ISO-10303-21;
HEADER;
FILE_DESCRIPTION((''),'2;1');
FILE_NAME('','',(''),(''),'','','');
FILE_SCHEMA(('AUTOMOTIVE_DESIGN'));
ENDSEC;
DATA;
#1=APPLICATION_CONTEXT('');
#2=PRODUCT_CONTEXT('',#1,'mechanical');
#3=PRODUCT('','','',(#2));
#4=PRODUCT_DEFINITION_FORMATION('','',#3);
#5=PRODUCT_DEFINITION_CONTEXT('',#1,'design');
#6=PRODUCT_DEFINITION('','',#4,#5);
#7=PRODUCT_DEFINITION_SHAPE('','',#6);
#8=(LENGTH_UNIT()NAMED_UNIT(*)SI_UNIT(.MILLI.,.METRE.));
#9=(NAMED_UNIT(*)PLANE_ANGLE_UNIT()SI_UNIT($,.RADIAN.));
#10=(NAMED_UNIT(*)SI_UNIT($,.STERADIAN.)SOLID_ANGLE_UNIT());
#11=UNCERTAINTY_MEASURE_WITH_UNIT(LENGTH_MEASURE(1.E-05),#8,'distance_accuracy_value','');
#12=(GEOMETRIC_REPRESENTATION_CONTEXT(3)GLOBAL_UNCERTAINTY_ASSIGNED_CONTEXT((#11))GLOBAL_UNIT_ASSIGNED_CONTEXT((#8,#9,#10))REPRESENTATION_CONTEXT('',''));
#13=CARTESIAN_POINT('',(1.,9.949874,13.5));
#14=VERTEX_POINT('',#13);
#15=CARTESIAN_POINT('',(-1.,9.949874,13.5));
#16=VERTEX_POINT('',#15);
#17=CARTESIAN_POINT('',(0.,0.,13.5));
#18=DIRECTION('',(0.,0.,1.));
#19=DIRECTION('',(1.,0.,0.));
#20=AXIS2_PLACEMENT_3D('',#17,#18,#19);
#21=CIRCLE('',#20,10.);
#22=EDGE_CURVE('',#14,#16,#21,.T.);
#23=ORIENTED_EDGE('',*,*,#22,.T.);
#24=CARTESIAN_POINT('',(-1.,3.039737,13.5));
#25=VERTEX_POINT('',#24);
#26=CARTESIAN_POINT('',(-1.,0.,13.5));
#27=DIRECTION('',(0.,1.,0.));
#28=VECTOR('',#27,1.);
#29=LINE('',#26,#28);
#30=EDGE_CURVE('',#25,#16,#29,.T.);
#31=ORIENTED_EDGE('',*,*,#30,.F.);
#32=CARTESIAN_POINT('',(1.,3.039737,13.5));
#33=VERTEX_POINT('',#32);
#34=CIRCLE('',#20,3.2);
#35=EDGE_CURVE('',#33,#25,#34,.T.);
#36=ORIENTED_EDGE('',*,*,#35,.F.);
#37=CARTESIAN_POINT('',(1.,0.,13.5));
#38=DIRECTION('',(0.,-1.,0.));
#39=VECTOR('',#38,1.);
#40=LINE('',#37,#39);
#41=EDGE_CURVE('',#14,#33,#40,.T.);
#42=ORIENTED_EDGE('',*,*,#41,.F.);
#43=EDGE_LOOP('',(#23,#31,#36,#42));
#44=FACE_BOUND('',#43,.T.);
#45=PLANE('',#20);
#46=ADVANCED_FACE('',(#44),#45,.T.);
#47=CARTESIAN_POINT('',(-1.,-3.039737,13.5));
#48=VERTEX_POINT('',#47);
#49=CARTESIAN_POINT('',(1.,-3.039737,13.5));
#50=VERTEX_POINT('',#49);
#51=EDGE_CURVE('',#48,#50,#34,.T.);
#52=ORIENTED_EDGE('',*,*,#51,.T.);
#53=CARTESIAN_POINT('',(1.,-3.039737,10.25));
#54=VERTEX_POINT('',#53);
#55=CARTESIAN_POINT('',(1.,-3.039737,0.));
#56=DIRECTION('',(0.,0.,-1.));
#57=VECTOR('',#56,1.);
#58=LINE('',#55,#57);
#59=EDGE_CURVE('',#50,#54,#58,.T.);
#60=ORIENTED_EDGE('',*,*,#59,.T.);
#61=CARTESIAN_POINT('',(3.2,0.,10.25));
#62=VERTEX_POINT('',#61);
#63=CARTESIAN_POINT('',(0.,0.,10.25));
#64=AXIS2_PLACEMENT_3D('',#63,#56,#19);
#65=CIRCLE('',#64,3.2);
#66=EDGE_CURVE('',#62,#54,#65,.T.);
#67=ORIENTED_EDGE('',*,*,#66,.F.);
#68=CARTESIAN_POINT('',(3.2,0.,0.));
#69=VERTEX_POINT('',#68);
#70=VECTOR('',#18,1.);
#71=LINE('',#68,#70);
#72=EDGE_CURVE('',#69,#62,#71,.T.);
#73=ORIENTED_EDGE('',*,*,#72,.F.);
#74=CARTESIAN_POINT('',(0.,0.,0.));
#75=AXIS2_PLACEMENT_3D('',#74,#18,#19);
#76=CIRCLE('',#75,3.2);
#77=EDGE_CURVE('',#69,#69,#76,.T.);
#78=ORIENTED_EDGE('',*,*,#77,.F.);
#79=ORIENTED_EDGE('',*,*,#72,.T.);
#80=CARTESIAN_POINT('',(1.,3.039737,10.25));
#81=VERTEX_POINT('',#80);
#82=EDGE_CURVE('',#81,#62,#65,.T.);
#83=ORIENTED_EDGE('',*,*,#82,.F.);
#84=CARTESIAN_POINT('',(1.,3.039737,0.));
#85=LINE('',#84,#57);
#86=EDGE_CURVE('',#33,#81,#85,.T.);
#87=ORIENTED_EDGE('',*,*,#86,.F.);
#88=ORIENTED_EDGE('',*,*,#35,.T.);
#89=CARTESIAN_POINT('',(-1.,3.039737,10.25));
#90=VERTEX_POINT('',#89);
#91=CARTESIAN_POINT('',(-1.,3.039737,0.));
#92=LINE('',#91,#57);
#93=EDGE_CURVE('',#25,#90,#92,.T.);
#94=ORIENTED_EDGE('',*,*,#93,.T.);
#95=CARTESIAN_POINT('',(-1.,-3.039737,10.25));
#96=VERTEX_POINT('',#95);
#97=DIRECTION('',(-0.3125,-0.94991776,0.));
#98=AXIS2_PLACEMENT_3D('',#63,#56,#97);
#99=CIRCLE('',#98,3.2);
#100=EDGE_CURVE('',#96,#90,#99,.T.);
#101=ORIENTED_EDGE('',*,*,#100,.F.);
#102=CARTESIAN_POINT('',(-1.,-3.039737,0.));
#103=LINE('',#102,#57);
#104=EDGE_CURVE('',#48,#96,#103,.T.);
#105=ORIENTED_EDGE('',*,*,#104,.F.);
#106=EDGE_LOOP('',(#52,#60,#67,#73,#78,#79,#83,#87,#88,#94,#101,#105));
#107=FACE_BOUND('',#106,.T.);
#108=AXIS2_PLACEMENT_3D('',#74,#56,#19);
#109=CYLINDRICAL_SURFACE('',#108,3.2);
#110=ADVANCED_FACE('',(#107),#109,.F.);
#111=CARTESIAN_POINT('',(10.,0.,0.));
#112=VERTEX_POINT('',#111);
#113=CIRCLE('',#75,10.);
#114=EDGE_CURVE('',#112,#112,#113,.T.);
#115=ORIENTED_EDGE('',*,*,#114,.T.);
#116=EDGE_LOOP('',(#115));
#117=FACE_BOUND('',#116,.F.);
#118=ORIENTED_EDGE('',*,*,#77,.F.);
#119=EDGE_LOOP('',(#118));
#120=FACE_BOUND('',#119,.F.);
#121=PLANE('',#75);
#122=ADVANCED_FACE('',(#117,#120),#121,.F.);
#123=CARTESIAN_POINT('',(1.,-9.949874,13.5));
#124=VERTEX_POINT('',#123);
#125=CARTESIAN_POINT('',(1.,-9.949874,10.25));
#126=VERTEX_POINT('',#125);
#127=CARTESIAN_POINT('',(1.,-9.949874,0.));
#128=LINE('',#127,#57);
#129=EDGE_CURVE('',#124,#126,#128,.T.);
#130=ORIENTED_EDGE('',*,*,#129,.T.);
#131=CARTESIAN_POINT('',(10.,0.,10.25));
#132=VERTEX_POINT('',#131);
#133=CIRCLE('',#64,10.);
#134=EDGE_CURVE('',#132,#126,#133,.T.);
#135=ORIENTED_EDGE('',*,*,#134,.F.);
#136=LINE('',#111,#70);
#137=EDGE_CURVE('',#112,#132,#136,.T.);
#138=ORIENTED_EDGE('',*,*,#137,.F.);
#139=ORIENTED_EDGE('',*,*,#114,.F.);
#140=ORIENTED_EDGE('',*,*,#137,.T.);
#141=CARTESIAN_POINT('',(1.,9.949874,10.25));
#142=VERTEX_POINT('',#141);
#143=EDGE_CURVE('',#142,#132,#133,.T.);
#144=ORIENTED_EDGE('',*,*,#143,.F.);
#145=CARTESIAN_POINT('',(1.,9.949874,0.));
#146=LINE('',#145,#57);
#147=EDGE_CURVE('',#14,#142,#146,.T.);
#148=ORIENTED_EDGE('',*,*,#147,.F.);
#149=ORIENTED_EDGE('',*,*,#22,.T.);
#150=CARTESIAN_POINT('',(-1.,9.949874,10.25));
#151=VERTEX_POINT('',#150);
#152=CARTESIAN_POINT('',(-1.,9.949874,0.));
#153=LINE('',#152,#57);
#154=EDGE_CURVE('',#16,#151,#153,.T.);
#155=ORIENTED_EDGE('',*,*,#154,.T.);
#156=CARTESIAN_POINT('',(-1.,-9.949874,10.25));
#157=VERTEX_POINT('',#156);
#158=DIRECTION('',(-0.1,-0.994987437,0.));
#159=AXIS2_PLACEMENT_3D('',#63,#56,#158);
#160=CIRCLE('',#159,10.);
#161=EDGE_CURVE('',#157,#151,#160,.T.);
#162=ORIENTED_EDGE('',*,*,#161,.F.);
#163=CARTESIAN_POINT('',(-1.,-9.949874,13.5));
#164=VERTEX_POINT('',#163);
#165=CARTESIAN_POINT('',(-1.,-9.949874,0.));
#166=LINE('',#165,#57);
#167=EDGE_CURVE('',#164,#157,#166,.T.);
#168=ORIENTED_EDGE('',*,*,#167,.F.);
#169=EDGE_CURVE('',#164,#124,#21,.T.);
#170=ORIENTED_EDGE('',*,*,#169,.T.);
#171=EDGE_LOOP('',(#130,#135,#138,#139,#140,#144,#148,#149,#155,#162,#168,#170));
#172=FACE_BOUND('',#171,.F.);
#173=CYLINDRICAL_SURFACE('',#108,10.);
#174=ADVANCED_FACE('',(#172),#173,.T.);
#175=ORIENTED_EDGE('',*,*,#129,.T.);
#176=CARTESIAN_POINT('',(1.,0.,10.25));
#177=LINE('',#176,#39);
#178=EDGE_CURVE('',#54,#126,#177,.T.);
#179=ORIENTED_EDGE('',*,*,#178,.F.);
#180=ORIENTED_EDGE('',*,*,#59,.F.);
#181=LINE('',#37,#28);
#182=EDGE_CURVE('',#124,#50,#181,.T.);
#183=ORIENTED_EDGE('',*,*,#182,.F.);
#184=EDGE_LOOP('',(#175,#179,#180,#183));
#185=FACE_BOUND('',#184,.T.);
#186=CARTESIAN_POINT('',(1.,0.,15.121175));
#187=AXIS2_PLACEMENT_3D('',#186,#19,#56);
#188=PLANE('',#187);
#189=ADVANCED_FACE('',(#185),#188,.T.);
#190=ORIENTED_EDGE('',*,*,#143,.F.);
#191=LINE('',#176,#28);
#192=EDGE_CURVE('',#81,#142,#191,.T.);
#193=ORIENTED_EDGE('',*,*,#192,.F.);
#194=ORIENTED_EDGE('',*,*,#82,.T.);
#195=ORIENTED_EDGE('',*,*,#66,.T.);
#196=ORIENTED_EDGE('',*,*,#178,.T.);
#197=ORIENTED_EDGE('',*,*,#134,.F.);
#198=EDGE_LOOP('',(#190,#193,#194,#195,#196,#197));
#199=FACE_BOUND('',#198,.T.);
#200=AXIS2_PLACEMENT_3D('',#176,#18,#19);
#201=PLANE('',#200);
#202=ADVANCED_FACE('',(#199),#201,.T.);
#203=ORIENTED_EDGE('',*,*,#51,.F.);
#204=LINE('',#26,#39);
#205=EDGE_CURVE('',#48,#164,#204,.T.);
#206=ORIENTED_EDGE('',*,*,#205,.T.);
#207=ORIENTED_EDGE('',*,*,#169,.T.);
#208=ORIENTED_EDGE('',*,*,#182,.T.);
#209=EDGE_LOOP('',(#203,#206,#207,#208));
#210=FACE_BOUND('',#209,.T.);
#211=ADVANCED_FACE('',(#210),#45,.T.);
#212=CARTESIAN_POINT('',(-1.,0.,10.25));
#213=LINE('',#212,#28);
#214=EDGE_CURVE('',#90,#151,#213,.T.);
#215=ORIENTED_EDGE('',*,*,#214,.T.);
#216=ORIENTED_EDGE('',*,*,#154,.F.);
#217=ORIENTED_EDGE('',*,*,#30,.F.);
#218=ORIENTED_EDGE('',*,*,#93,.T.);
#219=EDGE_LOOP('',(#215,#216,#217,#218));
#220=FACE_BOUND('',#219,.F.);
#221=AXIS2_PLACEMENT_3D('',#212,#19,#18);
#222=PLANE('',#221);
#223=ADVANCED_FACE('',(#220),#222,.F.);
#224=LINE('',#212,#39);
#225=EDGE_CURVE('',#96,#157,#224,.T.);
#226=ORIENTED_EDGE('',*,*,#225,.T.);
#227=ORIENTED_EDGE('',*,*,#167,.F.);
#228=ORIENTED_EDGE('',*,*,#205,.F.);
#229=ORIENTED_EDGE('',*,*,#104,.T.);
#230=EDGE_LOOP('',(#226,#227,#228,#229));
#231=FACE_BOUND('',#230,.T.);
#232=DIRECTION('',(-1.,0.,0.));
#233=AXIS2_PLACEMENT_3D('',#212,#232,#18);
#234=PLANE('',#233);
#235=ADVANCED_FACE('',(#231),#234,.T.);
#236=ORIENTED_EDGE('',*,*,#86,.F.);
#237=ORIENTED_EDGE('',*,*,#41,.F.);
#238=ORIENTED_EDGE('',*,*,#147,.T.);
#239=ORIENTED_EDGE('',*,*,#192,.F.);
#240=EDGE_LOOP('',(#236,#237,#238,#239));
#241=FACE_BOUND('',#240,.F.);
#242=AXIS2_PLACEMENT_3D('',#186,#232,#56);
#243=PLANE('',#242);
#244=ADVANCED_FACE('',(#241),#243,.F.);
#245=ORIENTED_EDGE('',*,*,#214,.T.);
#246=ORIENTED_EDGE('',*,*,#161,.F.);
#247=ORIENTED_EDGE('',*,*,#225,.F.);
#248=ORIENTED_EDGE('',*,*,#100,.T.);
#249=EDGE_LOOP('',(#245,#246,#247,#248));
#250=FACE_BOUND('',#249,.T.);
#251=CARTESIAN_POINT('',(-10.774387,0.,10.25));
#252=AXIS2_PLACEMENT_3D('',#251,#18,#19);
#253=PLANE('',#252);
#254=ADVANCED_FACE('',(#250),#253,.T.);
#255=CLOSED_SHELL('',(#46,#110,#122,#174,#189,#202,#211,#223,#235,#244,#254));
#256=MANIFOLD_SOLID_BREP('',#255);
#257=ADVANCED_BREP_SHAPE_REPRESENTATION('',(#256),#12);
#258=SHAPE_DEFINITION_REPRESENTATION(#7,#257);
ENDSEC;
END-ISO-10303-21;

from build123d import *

# Parameters (mm, degrees)
F0_R     = 10
F0_R_2   = 3.2
F2_DEPTH = 13.5
F3_DEPTH = 25
F4_DEPTH = 11.4


with BuildPart() as f2:
    # F0 (on Top) → F2 (new body)
    with BuildSketch(Plane.XY):
        Circle(F0_R)
        Circle(F0_R_2, mode=Mode.SUBTRACT)
    extrude(amount=F2_DEPTH)

    # F1 (on Front) → F3 (cut)
    with BuildSketch(Plane.XZ):
        Polygon((-1, 10.25), (-1, 12.5), (-1, 15.121175), (-10.774387, 15.121175), (-10.774387, 12.5), (-10.774387, 10.25), (-3, 10.25), align=None)
        Polygon((1, 15.121175), (1, 12.5), (1, 10.25), (3, 10.25), (10.738912, 10.25), (10.738912, 12.5), (10.738912, 15.121175), align=None)
    extrude(amount=-F3_DEPTH, mode=Mode.SUBTRACT)

    # F1 (on Front) → F4 (cut)
    with BuildSketch(Plane.XZ):
        Polygon((-1, 10.25), (-1, 12.5), (-1, 15.121175), (-10.774387, 15.121175), (-10.774387, 12.5), (-10.774387, 10.25), (-3, 10.25), align=None)
        Polygon((1, 15.121175), (1, 12.5), (1, 10.25), (3, 10.25), (10.738912, 10.25), (10.738912, 12.5), (10.738912, 15.121175), align=None)
    extrude(amount=F4_DEPTH, mode=Mode.SUBTRACT)


solid = f2.part
